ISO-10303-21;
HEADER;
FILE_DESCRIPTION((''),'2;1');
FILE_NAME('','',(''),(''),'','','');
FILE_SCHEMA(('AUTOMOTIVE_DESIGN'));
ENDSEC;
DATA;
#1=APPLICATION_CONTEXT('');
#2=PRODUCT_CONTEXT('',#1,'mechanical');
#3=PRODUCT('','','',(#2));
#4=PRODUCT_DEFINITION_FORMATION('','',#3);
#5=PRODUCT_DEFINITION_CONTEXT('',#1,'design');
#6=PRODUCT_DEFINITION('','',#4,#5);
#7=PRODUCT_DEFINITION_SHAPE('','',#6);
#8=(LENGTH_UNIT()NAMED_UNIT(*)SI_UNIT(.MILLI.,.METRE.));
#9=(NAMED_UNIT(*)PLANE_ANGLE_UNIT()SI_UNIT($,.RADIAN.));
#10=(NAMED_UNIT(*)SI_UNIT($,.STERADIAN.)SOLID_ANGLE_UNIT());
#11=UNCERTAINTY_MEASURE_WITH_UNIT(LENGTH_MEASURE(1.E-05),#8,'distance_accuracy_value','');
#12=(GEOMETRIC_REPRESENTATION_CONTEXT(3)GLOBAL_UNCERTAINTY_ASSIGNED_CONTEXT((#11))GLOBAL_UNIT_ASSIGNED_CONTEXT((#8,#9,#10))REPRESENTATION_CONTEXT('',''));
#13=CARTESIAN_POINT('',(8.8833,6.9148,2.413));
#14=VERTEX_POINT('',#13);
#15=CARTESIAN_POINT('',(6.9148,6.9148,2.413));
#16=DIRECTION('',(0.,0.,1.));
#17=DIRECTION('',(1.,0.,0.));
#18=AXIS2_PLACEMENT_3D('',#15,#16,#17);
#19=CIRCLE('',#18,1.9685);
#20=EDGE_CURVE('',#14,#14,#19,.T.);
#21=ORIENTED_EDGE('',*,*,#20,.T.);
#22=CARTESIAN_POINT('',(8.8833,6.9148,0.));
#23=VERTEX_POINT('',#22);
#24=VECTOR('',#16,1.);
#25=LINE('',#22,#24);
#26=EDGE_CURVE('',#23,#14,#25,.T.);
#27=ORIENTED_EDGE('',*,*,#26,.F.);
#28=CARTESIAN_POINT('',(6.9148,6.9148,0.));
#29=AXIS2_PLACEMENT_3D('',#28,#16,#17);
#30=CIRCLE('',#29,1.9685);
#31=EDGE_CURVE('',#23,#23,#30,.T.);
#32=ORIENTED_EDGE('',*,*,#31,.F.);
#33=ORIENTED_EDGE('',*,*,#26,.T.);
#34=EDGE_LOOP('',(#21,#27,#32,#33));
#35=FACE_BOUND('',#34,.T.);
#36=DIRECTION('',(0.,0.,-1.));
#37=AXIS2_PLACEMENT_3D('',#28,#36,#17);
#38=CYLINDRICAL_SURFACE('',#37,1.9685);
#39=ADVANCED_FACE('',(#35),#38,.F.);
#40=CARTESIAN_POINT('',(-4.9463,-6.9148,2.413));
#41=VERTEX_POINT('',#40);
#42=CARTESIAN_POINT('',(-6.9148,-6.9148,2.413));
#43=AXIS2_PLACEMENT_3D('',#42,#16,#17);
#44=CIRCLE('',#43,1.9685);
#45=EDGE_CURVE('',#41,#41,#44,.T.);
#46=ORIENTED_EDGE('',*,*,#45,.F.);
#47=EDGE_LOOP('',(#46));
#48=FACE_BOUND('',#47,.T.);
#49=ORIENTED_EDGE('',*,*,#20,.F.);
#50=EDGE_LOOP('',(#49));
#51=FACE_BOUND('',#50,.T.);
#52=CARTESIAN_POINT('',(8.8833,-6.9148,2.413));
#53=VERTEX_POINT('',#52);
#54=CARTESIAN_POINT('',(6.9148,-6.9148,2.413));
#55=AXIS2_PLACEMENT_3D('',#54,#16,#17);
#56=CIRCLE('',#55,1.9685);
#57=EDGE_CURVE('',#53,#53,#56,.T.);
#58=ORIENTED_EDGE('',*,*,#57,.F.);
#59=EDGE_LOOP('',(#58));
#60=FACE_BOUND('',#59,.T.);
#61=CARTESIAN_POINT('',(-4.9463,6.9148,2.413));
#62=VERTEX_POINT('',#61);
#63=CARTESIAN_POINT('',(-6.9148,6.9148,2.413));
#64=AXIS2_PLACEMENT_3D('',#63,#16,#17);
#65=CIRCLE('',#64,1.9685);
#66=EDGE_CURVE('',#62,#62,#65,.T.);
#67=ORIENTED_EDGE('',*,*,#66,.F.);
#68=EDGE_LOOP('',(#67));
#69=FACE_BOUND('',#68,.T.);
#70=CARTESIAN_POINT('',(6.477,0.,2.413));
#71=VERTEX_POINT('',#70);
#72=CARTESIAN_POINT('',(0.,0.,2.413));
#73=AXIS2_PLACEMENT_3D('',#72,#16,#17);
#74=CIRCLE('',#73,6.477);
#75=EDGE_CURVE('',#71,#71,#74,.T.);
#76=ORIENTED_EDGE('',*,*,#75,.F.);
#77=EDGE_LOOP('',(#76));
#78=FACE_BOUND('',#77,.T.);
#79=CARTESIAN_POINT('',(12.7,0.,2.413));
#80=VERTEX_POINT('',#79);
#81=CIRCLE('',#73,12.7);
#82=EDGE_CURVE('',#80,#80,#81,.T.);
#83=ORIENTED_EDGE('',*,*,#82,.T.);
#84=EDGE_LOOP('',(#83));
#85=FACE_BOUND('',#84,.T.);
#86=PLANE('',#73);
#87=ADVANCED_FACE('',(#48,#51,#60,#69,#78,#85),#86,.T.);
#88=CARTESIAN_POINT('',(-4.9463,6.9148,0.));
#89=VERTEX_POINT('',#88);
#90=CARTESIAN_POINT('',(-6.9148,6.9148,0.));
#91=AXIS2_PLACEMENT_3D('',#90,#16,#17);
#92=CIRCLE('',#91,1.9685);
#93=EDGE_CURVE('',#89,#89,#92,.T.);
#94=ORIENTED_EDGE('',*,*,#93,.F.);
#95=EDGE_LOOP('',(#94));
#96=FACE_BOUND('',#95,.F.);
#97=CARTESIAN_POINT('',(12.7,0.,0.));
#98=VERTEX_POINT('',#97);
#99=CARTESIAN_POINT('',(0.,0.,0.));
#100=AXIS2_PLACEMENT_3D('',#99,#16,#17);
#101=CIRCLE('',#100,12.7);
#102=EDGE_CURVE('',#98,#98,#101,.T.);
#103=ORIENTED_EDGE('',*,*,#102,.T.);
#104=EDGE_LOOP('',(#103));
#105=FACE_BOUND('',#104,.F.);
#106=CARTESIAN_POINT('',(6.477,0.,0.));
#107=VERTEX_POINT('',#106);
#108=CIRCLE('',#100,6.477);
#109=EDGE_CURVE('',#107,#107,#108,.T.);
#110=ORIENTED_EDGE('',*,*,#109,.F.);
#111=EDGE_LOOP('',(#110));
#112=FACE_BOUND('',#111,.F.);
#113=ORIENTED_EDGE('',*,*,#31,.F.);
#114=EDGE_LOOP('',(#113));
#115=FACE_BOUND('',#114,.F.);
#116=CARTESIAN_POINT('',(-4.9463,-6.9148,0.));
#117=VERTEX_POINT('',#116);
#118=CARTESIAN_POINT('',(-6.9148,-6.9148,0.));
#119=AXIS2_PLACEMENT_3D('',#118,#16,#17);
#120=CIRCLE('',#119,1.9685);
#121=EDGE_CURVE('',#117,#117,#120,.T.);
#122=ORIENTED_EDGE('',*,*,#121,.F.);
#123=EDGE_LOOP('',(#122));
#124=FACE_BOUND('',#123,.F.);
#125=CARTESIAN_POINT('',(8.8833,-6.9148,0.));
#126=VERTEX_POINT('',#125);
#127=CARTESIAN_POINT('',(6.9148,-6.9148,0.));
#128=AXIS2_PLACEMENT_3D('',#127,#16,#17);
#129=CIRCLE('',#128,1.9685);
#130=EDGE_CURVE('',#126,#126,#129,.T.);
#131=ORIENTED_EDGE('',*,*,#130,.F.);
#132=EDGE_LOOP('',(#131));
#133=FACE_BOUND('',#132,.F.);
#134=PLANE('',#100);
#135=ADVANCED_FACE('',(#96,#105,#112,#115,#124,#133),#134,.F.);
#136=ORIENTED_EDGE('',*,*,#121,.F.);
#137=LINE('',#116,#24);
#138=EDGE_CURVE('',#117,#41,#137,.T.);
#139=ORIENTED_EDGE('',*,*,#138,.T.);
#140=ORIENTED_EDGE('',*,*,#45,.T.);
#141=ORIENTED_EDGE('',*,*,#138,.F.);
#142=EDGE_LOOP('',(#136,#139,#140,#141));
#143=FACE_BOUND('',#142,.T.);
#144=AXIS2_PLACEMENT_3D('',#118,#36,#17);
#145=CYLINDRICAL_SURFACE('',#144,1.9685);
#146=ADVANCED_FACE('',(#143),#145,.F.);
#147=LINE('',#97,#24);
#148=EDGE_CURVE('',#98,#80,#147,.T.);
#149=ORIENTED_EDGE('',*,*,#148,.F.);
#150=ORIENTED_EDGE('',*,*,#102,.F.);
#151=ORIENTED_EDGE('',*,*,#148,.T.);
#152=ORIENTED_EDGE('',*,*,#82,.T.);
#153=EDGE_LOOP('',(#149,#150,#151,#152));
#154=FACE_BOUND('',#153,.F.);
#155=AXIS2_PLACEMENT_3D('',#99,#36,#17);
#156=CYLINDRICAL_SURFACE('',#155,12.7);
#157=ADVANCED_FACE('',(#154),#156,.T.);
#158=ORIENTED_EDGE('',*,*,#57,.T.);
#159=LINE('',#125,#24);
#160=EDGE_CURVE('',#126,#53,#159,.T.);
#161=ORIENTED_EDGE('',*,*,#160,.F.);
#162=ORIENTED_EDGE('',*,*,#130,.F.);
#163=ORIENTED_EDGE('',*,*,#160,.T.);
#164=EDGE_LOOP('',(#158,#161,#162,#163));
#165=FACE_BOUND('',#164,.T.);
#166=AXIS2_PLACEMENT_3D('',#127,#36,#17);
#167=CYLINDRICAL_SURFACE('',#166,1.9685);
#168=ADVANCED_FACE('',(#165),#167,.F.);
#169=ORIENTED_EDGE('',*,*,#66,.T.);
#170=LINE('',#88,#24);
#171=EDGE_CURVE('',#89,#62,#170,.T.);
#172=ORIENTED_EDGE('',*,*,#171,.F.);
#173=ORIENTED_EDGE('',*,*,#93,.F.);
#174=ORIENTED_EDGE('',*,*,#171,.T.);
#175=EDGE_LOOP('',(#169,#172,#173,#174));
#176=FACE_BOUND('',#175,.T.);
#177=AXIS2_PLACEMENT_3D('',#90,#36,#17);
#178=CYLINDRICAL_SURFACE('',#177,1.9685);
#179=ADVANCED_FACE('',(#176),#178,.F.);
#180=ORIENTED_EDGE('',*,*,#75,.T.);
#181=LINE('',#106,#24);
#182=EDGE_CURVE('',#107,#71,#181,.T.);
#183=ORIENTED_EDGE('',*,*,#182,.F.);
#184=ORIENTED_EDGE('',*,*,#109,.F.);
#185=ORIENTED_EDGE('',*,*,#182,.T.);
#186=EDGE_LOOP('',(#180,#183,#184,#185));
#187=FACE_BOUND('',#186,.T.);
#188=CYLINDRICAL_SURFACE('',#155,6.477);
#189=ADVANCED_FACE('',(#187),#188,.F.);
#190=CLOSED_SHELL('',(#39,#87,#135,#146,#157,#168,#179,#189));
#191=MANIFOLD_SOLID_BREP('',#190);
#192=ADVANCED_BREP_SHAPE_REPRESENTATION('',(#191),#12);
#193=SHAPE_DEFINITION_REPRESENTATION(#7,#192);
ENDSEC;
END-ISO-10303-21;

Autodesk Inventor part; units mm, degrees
ref_plane "YZ Plane" through (0, 0, 0) normal (1, 0, 0) x (0, 1, 0)
ref_plane "XZ Plane" through (0, 0, 0) normal (0, 1, 0) x (-1, 0, 0)
ref_plane "XY Plane" through (0, 0, 0) normal (0, 0, 1) x (1, 0, 0)
sketch "Sketch1" plane through (0, 0, 0) normal (0, 0, 1) x (1, 0, 0)
  circle A0 centre (0, 0) radius 6.35 construction
  spline S0 degree 3 number of poles 388 construction
  spline S1 degree 3 number of poles 388 construction
  spline S2 degree 3 number of poles 388 construction
  spline S3 degree 3 number of poles 388 construction
  arc A1 (-3.2013, -9.3003) -> (3.2013, -9.3003) centre (0, 0) ccw construction
  arc A2 (3.2013, 9.3003) -> (-3.2013, 9.3003) centre (0, 0) ccw construction
  circle A3 centre (0, 0) radius 6.477
  circle A4 centre (0, 0) radius 12.7
  arc A5 (8.4339, 6.0408) -> (7.3595, 5.2195) centre (6.9148, 6.9148) ccw construction
  arc A6 (6.0408, -8.4339) -> (5.2195, -7.3595) centre (6.9148, -6.9148) ccw construction
  arc A7 (-6.0408, 8.4339) -> (-5.2195, 7.3595) centre (-6.9148, 6.9148) ccw construction
  arc A8 (-8.4339, -6.0408) -> (-7.3595, -5.2195) centre (-6.9148, -6.9148) ccw construction
  circle A9 centre (6.9148, 6.9148) radius 1.9685
  circle A10 centre (6.9148, -6.9148) radius 1.9685
  circle A11 centre (-6.9148, 6.9148) radius 1.9685
  circle A12 centre (-6.9148, -6.9148) radius 1.9685
  dimension "d0" = 12.954
  dimension "d1" = 25.4
  dimension "d2" = 3.937
  dimension "d3" = 3.937
  dimension "d4" = 3.937
  dimension "d5" = 3.937
extrude "Extrusion1" add sketch "Sketch1" along normal blind 2.413
properties part number "BarrelHubAdapter"
